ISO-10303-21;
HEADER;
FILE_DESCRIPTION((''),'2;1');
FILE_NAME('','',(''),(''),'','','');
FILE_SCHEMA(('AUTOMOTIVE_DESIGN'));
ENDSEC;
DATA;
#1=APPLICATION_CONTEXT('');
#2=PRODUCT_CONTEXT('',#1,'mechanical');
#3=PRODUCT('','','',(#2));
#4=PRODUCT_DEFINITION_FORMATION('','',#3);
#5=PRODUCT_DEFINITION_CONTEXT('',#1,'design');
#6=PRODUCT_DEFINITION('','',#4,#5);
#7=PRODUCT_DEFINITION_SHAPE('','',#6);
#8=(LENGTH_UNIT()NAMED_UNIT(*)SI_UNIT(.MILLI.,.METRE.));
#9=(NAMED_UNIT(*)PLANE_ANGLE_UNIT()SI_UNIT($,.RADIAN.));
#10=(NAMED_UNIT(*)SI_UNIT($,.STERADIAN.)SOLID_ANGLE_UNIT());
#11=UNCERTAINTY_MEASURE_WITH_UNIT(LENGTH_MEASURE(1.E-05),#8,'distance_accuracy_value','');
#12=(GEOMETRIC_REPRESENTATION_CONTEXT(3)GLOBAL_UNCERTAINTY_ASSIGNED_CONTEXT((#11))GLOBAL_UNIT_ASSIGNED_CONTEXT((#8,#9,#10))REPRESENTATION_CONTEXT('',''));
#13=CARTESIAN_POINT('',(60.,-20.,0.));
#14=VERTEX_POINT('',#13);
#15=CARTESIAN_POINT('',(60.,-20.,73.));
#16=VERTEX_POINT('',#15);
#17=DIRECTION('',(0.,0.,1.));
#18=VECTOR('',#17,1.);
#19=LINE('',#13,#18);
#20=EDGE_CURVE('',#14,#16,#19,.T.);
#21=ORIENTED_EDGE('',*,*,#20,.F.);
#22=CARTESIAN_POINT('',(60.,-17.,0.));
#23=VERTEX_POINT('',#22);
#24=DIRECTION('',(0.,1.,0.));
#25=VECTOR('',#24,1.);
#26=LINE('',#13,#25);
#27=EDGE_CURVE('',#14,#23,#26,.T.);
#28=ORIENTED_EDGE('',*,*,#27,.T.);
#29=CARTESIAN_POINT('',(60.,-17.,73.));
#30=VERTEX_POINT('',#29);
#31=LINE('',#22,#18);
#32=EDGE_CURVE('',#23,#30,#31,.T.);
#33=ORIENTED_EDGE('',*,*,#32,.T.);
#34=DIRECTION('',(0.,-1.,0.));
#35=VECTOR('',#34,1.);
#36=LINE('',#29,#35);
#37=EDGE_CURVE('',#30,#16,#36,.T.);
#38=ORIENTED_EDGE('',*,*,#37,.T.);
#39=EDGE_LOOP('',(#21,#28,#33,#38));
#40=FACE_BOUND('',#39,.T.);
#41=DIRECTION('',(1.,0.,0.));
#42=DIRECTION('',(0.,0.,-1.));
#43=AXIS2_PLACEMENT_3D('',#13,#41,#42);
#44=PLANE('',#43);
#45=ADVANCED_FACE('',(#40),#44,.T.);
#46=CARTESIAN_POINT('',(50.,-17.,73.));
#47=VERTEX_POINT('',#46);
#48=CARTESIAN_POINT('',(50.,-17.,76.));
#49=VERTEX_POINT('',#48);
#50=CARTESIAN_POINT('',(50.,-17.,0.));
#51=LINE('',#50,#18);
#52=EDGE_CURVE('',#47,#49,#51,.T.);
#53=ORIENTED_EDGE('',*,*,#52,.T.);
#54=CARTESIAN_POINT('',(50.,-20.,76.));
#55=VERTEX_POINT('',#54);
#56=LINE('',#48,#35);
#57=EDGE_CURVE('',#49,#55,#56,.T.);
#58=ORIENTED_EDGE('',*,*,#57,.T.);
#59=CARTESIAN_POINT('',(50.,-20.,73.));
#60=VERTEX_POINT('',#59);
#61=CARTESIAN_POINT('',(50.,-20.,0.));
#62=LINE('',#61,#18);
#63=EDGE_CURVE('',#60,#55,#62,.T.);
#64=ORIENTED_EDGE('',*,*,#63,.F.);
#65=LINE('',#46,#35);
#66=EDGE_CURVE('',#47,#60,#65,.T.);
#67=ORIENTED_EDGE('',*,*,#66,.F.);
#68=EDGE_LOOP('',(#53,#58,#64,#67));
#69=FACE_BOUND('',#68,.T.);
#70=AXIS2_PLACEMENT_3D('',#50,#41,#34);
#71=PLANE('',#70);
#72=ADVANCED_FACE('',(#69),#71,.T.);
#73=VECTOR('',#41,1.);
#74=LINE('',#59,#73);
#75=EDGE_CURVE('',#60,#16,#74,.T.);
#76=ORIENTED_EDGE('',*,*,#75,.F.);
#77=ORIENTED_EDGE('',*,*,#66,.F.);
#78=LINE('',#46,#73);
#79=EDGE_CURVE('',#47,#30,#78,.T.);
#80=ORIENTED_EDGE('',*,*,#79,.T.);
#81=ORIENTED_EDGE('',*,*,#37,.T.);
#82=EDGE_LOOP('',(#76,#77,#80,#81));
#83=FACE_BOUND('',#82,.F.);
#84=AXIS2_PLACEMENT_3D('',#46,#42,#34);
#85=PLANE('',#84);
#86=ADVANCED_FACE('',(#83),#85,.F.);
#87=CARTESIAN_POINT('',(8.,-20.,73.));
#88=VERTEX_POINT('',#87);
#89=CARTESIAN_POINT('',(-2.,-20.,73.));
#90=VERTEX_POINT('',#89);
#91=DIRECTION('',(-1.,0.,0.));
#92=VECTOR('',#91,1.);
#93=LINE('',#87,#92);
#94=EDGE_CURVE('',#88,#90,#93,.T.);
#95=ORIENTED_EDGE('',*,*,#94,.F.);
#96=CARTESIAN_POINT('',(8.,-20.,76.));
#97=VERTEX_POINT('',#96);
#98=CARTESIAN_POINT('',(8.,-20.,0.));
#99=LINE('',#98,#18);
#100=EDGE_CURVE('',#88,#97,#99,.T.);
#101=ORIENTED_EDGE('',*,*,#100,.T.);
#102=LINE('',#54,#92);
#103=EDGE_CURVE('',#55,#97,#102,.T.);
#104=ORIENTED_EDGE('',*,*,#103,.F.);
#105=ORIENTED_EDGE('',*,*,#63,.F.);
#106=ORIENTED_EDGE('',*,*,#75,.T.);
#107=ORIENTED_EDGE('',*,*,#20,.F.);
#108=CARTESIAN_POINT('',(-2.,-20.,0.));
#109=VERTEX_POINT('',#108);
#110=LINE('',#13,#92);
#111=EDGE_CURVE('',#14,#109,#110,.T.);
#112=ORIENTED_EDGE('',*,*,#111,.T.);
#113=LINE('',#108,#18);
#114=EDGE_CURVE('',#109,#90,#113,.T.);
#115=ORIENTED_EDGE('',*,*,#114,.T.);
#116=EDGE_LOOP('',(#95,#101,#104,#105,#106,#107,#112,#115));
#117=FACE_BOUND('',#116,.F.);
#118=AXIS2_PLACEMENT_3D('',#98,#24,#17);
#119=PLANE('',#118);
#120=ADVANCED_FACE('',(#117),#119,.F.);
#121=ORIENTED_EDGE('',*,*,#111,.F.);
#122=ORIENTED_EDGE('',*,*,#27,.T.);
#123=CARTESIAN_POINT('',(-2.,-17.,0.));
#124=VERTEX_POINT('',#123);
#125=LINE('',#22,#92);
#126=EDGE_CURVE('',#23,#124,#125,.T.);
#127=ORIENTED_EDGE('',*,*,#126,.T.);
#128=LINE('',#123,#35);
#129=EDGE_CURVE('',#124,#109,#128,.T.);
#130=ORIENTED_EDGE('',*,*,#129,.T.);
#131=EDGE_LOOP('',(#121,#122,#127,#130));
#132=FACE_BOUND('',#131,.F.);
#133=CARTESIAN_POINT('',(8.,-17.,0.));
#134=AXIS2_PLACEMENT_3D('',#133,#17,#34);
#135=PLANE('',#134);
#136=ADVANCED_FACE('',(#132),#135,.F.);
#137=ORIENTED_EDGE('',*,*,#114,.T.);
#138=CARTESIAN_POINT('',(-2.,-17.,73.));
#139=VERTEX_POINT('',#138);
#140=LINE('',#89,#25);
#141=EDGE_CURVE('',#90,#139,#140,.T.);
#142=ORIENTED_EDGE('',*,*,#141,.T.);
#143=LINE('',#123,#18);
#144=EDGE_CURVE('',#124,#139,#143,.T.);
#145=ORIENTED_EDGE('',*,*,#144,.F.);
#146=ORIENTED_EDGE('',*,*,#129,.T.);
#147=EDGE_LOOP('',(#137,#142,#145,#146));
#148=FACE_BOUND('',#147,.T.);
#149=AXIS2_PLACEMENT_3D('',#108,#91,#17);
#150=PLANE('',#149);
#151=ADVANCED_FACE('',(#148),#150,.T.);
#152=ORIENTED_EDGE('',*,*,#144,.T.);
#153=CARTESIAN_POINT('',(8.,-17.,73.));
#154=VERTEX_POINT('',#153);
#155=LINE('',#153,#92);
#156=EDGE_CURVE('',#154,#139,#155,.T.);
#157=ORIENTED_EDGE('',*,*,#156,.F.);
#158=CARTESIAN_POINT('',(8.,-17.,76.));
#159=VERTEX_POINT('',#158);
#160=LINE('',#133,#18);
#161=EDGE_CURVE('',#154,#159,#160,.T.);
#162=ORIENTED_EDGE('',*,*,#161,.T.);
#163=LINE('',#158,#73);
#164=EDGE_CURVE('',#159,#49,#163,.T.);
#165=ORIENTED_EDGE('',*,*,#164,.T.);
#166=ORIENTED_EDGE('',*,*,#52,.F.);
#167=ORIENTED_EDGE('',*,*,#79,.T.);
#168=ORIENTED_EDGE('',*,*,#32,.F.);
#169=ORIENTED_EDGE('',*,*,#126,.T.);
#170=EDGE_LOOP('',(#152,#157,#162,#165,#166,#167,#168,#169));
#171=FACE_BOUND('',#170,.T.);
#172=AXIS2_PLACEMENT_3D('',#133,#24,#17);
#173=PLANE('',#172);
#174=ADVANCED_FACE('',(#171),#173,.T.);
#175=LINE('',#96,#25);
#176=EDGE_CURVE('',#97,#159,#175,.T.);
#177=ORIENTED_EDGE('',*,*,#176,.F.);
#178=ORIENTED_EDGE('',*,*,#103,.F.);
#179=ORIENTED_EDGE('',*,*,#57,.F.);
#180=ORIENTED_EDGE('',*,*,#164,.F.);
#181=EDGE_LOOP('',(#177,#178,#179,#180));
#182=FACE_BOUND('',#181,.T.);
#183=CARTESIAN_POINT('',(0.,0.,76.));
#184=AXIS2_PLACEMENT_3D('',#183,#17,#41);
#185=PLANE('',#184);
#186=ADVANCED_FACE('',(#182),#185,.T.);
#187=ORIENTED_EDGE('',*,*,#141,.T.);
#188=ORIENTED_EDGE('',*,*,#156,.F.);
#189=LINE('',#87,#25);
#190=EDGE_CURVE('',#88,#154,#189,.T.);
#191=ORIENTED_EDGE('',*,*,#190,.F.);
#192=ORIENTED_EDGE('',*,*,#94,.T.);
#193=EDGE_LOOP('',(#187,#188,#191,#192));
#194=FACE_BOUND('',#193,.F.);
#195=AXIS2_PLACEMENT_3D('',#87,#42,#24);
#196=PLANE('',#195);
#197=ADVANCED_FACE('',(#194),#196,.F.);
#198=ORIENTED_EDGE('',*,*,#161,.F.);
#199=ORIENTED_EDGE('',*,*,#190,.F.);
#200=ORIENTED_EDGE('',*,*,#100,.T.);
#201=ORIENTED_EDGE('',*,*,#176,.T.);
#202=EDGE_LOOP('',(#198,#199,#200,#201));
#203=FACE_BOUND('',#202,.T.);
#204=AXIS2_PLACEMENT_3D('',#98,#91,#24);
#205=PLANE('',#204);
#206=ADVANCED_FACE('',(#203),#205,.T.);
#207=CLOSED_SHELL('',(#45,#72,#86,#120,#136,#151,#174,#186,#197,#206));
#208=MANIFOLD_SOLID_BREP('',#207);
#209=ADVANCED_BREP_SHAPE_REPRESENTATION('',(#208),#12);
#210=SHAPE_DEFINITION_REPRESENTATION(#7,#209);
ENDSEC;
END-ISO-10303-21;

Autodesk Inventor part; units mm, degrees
ref_plane "YZ Plane" through (0, 0, 0) normal (1, 0, 0) x (0, 1, 0)
ref_plane "XZ Plane" through (0, 0, 0) normal (0, 1, 0) x (-1, 0, 0)
ref_plane "XY Plane" through (0, 0, 0) normal (0, 0, 1) x (1, 0, 0)
sketch "Sketch1" plane through (0, 0, 0) normal (0, 0, 1) x (1, 0, 0)
  line L0 (50, -20) -> (8, -20) projected
  line L1 (8, -17) -> (50, -17) projected
  line L2 (50, -17) -> (50, -20) projected
  line L3 (8, -20) -> (8, -17) projected
  line L4 (50, -17) -> (8, -17)
  line L5 (8, -17) -> (8, -20)
  line L6 (8, -20) -> (50, -20)
  line L7 (50, -20) -> (50, -17)
  point P0 (0, 0)
extrude "Extrusion1" add sketch "Sketch1" along normal blind 76
sketch "Sketch2" plane through (50, -20, 0) normal (1, 0, 0) x (0, 0, -1)
  line L0 (-73, 6.5) -> (-73, 16.5) projected
  line L1 (0, 3) -> (-76, 3) projected
  line L2 (0, 0) -> (0, 3) projected
  line L3 (0, 0) -> (-76, 0) projected
  line L4 (-73, 0) -> (0, 0)
  line L5 (0, 0) -> (0, 3)
  line L6 (0, 3) -> (-73, 3)
  line L7 (-73, 3) -> (-73, 0)
  point P0 (0, 20)
  point P1 (-69, 3)
  point P2 (-69, 1.5)
  point P3 (-73, 3)
extrude "Extrusion2" add sketch "Sketch2" along normal blind 10
sketch "Sketch3" plane through (8, -20, 0) normal (-1, 0, 0) x (0, 0, 1)
  line L0 (73, 6.5) -> (73, 16.5) projected
  line L1 (0, 3) -> (0, 0) projected
  line L2 (0, 3) -> (76, 3) projected
  line L3 (73, 3) -> (0, 3)
  line L4 (0, 3) -> (0, 0)
  line L5 (0, 0) -> (73, 0)
  line L6 (73, 0) -> (73, 3)
  point P0 (0, 20)
  point P1 (69, 0)
  point P2 (69, 1.5)
extrude "Extrusion3" add sketch "Sketch3" along normal blind 10
properties part number "divider 2"
